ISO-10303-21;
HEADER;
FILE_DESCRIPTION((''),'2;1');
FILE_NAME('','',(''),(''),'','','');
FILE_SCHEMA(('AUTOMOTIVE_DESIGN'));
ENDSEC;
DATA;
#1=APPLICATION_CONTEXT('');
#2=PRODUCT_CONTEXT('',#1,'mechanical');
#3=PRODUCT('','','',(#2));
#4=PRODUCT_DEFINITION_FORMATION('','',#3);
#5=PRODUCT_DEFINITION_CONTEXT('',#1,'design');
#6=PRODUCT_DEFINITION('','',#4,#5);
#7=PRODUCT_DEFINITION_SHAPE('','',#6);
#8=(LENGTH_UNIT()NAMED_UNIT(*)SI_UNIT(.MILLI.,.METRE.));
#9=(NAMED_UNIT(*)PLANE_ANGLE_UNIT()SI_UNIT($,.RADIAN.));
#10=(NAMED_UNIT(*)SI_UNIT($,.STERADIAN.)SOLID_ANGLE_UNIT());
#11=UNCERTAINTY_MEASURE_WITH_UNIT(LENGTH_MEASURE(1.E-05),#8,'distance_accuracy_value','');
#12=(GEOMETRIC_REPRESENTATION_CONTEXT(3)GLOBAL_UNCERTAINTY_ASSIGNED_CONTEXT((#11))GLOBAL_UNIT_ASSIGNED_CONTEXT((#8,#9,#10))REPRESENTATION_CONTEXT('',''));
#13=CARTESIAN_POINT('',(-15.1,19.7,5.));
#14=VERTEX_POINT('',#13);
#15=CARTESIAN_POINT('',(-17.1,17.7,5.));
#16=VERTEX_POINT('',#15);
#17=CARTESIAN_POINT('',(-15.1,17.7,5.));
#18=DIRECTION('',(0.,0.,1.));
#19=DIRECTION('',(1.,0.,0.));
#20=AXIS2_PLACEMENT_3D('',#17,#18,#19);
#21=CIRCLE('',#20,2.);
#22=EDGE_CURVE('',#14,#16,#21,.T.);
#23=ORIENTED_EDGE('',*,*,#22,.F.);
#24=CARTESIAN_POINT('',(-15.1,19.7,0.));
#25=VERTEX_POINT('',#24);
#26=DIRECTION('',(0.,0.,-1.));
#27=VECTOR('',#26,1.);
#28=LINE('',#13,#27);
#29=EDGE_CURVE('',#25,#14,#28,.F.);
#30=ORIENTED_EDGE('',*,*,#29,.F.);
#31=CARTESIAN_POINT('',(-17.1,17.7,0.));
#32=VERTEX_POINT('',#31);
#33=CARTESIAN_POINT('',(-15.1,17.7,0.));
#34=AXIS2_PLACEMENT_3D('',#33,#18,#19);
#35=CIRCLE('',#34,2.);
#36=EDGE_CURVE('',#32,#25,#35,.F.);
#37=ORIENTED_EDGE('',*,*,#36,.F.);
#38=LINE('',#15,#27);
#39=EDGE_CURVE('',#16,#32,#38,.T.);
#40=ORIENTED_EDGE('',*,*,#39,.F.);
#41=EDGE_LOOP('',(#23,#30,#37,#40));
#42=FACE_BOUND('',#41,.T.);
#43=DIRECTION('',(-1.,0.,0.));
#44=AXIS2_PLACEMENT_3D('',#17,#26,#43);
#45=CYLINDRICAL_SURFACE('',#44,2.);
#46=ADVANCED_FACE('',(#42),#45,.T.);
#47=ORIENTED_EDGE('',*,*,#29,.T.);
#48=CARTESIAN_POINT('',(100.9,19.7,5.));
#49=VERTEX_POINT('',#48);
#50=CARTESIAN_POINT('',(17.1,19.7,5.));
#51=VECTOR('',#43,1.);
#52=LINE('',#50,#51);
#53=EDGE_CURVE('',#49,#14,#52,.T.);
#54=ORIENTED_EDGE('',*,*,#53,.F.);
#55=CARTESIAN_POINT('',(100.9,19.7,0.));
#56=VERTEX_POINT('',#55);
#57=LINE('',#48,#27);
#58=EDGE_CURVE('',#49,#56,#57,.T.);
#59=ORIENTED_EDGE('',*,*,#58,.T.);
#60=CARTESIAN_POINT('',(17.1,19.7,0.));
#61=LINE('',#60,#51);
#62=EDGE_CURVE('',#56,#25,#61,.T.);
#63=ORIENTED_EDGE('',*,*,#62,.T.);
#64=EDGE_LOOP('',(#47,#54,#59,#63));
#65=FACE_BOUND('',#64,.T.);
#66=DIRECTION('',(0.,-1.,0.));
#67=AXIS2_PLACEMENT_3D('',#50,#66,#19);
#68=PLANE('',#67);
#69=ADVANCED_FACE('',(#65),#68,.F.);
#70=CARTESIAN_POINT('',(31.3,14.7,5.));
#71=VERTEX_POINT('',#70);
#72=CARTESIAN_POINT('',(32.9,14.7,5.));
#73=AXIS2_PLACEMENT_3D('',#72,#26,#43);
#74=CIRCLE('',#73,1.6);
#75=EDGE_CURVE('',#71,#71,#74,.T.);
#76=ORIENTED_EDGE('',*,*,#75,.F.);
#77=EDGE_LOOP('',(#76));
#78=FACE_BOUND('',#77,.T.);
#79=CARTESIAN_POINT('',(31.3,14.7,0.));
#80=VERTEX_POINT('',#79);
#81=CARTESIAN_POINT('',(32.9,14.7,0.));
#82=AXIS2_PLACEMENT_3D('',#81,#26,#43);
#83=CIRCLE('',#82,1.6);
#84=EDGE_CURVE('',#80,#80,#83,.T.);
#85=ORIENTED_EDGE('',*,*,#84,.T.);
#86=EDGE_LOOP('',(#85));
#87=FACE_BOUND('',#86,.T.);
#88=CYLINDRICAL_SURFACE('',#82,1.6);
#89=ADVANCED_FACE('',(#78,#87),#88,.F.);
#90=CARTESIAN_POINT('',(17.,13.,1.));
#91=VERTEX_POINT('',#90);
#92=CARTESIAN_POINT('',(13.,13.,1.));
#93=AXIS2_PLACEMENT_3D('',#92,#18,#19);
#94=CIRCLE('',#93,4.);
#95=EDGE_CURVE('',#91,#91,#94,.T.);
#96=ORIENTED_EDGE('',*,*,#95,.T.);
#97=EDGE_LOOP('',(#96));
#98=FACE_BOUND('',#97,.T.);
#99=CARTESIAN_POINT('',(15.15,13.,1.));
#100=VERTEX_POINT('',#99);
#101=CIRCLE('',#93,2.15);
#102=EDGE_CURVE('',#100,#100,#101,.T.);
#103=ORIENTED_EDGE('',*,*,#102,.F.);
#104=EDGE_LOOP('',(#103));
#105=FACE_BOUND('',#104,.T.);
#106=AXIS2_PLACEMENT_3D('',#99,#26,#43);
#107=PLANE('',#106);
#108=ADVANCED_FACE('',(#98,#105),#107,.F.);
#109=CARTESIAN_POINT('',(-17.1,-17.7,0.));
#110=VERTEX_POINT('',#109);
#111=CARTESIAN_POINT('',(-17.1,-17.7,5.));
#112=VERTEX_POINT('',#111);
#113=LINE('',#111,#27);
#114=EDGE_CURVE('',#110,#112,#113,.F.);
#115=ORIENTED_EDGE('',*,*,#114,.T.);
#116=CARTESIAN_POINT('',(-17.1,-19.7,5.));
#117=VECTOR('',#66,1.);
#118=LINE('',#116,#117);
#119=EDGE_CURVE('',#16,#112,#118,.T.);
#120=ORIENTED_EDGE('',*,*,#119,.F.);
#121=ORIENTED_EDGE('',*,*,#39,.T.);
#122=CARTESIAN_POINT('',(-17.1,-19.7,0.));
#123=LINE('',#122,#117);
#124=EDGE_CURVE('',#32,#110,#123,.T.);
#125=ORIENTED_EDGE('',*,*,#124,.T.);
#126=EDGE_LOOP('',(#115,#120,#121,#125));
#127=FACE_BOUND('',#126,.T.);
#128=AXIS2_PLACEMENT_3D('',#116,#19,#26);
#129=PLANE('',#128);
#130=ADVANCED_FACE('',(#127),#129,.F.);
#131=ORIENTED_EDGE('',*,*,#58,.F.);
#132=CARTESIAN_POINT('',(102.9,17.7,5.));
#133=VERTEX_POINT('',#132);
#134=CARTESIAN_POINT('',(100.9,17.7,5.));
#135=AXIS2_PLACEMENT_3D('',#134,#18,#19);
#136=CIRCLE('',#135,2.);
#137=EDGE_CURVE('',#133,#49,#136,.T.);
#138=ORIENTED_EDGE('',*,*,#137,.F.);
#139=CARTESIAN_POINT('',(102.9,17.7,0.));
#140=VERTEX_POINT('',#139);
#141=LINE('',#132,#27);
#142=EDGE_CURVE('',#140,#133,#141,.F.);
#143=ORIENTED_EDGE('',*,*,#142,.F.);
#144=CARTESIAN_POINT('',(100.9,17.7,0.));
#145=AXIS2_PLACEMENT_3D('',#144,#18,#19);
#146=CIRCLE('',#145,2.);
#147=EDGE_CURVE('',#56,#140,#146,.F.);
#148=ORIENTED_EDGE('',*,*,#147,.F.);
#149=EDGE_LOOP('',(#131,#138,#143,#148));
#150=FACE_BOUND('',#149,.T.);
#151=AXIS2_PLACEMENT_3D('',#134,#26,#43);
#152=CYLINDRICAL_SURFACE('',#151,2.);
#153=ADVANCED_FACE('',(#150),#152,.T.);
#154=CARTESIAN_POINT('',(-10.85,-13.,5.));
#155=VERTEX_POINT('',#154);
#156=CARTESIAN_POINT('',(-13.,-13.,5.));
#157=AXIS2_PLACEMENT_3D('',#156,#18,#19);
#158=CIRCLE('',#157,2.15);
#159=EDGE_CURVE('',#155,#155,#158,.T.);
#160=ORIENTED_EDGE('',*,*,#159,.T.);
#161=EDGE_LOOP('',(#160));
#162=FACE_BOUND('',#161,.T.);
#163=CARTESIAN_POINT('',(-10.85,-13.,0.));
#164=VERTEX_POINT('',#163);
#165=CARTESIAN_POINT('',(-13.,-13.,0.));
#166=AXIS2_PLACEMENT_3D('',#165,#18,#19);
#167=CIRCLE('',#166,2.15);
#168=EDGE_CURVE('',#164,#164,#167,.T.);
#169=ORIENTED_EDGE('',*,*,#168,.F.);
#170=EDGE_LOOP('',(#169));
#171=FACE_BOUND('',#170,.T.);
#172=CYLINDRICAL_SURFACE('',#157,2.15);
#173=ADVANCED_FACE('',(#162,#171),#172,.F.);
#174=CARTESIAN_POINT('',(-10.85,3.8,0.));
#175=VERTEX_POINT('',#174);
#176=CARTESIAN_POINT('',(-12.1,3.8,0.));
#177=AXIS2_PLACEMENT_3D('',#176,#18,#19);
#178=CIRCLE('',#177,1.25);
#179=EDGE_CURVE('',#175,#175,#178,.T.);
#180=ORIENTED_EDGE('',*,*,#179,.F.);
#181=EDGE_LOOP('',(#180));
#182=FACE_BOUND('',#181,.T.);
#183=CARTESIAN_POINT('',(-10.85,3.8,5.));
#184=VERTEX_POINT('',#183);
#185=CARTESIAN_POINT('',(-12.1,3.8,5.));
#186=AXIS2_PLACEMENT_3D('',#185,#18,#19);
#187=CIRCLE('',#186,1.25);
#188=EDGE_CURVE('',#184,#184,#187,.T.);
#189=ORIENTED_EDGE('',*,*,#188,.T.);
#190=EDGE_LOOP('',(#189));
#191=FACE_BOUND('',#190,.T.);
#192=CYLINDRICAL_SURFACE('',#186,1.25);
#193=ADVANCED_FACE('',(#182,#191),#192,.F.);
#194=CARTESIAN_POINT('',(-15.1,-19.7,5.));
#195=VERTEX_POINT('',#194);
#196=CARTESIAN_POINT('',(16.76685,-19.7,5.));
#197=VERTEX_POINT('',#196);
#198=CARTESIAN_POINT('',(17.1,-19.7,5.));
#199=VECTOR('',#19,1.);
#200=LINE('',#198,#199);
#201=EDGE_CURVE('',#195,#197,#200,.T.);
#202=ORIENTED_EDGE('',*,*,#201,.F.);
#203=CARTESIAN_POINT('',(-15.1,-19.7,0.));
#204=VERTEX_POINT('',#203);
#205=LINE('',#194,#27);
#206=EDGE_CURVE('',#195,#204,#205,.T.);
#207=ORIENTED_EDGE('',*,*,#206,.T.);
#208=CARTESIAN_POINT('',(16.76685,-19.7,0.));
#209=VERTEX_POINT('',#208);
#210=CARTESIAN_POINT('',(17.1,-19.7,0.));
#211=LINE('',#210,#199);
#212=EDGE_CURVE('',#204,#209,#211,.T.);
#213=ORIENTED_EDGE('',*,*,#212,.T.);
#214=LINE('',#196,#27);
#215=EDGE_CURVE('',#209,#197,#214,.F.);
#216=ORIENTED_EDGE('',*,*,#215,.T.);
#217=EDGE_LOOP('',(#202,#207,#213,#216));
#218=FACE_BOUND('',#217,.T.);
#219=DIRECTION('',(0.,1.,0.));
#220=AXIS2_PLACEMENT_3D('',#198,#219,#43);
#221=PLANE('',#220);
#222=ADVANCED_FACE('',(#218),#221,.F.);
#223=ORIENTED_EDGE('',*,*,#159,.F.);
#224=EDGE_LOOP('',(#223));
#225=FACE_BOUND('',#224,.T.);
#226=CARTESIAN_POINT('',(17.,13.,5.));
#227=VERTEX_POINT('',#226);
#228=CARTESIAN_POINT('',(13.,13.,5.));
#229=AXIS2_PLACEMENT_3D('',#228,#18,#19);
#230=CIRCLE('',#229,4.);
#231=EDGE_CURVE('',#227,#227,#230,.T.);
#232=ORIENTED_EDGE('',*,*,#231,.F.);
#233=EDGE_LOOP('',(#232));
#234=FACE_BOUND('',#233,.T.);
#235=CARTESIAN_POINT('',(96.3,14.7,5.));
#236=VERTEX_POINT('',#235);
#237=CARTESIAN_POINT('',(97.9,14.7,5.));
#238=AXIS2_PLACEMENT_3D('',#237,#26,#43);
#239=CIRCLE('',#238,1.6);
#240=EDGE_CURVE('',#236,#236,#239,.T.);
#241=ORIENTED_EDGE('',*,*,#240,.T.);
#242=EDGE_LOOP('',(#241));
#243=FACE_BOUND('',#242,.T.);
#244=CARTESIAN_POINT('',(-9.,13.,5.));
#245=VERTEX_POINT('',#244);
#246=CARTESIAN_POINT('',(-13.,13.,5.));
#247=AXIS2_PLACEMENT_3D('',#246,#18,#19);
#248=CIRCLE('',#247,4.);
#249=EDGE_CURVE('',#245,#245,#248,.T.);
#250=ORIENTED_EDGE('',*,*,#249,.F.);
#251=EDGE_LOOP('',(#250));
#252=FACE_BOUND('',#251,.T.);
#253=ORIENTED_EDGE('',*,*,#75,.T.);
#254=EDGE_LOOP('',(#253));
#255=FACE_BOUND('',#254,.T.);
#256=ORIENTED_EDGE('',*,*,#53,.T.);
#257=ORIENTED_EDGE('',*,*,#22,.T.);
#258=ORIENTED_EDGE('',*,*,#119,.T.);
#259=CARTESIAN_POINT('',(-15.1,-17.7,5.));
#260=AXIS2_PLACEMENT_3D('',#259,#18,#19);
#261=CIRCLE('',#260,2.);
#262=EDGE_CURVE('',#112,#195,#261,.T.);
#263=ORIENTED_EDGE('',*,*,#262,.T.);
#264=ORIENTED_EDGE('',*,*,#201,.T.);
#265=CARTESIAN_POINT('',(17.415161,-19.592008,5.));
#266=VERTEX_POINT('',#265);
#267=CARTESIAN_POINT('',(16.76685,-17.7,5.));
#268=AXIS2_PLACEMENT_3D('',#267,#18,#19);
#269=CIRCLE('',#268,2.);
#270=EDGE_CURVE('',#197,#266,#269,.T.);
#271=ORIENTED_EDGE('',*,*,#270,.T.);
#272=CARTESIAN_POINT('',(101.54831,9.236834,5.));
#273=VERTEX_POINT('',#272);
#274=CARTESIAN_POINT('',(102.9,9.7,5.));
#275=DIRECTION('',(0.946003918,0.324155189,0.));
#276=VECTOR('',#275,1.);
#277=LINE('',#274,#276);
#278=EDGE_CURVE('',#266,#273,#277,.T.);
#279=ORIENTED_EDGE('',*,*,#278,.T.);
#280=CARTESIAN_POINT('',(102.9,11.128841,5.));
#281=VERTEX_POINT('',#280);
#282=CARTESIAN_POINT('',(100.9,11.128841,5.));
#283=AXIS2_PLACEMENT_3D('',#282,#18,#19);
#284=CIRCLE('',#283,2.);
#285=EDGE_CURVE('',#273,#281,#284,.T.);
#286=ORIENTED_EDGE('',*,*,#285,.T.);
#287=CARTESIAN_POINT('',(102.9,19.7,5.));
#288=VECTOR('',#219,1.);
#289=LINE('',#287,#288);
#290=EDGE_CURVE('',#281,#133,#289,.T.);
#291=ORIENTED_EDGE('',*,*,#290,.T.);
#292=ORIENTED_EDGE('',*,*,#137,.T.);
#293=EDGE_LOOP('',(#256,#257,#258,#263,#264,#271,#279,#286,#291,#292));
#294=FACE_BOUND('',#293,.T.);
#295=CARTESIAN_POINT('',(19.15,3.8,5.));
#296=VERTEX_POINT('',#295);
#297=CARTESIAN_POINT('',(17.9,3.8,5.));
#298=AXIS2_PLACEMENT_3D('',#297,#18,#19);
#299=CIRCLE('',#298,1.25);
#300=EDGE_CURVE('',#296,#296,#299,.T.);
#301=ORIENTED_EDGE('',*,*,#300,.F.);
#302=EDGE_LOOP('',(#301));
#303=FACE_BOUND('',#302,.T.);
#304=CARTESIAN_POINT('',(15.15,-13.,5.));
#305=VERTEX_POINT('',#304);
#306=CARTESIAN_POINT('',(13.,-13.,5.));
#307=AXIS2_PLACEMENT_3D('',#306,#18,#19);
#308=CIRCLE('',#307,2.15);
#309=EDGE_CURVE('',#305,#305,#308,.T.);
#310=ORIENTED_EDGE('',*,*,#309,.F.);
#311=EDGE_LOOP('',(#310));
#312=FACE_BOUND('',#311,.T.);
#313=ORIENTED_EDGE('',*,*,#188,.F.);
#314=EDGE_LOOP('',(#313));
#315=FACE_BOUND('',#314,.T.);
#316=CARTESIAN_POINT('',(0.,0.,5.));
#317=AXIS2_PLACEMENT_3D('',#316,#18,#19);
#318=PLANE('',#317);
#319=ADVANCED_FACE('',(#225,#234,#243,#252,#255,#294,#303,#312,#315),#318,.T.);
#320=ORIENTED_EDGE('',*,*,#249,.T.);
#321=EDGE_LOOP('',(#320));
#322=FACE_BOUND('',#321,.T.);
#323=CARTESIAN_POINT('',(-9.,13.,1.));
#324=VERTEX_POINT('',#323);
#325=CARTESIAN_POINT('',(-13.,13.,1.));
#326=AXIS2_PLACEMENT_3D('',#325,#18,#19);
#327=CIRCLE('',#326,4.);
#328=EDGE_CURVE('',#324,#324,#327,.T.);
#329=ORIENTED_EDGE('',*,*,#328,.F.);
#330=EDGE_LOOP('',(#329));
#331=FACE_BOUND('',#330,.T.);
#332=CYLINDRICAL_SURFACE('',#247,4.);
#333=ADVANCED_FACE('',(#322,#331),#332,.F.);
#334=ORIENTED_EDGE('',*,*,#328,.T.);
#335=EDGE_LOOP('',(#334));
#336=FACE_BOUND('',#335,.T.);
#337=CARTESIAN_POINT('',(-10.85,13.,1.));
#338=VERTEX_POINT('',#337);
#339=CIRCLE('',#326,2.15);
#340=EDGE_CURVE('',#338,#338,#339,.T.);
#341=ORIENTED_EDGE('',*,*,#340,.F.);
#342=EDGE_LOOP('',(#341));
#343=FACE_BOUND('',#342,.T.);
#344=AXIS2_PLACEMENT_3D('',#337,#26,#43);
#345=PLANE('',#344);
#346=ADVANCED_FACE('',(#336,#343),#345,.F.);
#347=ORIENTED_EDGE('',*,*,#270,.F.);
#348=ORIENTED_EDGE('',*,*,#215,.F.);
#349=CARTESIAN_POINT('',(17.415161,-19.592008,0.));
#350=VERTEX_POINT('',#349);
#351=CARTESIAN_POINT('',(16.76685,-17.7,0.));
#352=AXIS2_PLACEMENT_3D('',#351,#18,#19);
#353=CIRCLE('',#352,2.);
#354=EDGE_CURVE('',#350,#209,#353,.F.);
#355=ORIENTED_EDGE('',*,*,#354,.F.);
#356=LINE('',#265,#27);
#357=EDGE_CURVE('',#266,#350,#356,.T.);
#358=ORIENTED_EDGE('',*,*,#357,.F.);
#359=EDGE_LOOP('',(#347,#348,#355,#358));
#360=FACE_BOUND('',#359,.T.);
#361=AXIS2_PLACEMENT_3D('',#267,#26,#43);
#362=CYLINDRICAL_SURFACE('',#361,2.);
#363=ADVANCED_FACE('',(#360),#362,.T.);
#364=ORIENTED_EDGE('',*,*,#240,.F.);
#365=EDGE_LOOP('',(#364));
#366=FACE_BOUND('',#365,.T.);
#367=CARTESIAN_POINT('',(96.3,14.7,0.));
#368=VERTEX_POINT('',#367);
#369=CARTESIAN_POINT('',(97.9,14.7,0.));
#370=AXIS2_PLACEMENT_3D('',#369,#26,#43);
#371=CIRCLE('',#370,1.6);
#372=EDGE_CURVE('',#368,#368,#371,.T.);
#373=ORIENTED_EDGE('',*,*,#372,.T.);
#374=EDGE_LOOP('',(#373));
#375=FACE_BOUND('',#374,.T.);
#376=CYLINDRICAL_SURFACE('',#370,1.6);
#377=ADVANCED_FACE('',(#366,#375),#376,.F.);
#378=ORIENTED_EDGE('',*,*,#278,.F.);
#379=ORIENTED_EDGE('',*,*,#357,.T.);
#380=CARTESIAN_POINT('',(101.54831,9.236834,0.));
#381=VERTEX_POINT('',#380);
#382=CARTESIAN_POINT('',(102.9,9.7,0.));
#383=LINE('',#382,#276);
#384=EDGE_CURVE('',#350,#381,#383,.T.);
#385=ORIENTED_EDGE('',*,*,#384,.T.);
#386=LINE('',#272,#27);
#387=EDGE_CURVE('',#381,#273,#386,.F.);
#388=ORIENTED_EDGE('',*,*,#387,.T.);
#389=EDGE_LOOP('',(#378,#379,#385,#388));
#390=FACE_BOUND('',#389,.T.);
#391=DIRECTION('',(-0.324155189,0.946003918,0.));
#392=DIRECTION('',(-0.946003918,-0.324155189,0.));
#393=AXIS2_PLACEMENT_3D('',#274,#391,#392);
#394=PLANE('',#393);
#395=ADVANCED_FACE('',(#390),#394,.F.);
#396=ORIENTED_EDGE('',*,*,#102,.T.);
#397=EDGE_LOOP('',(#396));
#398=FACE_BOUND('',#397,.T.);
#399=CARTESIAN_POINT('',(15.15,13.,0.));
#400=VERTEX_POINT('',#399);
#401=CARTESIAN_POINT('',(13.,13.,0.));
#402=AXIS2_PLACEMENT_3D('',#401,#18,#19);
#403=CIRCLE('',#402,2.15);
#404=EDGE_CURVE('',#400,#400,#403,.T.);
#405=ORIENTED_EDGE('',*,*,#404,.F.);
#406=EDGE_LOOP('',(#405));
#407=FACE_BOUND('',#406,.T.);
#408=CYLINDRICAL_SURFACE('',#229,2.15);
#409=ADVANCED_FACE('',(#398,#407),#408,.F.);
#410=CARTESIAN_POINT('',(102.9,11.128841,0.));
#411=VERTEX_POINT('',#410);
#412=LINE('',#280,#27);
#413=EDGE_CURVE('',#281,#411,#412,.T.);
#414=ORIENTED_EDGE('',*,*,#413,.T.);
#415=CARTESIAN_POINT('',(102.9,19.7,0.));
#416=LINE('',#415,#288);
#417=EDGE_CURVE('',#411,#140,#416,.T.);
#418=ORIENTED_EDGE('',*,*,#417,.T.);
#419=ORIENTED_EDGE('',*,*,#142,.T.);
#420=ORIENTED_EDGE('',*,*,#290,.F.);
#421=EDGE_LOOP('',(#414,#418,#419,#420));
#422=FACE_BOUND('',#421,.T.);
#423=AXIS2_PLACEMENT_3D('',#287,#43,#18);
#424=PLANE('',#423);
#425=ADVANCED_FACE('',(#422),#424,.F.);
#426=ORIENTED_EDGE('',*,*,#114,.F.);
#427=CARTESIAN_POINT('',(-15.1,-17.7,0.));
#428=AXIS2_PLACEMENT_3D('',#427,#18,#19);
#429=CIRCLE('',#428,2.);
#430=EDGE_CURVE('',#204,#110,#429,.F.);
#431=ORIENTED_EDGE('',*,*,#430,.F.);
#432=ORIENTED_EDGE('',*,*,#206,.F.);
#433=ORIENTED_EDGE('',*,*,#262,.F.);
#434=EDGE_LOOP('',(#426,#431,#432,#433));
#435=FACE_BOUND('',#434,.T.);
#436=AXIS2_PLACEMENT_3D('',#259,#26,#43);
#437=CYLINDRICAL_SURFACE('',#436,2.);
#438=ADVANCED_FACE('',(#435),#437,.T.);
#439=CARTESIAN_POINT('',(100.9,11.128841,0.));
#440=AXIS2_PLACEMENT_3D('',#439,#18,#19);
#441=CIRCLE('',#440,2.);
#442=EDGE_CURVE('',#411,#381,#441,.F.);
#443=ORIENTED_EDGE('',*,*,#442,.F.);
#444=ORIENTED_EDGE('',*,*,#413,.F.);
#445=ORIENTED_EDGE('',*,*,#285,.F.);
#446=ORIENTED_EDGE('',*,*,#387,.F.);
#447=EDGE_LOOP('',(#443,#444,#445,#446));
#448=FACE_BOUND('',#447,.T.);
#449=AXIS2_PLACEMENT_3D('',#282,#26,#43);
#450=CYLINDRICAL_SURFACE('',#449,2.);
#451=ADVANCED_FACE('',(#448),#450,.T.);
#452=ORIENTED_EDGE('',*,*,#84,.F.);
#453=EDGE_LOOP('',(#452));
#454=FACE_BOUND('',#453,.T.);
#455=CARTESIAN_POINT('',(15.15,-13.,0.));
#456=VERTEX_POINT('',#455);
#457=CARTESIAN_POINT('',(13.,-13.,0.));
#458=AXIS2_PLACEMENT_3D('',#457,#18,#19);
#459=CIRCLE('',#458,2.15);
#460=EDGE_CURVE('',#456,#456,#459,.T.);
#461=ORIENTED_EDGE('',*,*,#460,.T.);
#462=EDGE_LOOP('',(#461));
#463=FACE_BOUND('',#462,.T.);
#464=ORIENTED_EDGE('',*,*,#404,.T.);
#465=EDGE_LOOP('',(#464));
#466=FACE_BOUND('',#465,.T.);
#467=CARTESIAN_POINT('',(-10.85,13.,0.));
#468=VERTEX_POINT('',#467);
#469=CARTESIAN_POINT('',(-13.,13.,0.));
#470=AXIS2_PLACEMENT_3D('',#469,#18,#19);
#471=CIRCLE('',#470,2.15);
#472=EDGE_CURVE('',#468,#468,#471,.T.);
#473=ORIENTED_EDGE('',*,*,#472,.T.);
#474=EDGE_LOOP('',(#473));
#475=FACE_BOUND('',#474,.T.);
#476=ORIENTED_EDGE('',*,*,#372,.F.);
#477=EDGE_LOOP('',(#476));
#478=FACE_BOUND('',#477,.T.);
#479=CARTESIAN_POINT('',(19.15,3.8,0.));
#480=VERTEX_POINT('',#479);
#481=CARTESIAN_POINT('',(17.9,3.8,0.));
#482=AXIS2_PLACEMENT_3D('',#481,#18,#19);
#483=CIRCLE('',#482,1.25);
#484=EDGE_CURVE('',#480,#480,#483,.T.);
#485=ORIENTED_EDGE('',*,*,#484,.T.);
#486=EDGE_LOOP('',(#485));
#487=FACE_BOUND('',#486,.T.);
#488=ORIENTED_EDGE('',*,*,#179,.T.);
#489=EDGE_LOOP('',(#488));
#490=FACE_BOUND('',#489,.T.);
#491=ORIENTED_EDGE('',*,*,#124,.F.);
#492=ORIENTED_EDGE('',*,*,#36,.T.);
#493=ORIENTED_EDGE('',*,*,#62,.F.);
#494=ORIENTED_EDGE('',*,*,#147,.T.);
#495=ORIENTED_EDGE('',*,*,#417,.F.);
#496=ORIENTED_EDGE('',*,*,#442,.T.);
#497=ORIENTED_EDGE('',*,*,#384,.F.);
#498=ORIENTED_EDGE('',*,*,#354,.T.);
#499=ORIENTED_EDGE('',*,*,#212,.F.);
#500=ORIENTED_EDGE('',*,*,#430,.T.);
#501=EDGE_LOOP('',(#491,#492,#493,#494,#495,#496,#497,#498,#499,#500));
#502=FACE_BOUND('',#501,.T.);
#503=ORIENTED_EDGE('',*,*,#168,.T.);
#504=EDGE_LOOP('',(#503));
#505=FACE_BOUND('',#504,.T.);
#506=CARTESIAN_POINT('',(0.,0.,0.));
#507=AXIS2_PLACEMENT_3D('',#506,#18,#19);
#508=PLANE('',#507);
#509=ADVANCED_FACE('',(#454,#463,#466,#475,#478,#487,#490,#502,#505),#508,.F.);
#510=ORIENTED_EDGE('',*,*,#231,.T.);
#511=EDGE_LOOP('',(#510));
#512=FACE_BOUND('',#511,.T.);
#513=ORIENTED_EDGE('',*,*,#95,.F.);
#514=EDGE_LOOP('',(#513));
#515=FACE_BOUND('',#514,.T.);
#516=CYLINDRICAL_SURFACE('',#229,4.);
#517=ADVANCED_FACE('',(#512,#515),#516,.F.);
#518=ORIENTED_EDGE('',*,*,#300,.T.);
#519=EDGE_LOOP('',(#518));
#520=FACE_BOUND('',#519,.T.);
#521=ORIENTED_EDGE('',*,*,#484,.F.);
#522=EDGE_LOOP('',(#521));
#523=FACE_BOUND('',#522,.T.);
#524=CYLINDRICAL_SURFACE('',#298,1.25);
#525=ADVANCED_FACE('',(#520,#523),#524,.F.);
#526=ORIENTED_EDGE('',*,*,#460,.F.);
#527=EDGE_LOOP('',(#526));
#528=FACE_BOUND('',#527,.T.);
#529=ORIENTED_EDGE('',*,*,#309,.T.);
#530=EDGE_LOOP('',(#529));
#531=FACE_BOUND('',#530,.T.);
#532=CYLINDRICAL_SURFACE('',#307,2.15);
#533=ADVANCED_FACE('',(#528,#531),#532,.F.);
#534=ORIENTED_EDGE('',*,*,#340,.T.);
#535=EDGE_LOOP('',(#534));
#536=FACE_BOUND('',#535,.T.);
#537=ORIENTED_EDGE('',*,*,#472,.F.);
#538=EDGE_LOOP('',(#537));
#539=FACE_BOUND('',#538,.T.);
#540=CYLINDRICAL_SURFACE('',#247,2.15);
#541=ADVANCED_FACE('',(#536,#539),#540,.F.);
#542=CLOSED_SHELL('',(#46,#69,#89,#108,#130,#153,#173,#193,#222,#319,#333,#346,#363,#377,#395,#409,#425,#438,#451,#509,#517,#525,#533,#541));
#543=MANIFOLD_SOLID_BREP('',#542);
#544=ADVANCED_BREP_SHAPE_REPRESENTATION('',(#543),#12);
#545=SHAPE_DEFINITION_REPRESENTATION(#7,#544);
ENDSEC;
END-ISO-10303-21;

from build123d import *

# Parameters (mm, degrees)
BOSS_EXTRUDE1_DEPTH            = 5
CBORE_FOR_M4_SHCS1_D           = 4.3
CBORE_FOR_M4_SHCS1_CBORE_D     = 8
CBORE_FOR_M4_SHCS1_CBORE_DEPTH = 4
M4_CLEARANCE_HOLE1_D           = 4.3
TAP_DRILL_FOR_M3X0_5_TAP1_D    = 2.5
M3_CLEARANCE_HOLE2_D           = 3.2
FILLET1_R                      = 2


with BuildPart() as part:
    # Sketch1 → Boss-Extrude1 (new body)
    with BuildSketch(Plane.XY):
        Polygon((17.1, 19.7), (102.9, 19.7), (102.9, 9.7), (17.1, -19.7), (-17.1, -19.7), (-17.1, 19.7), align=None)
    extrude(amount=BOSS_EXTRUDE1_DEPTH)

    # CBORE for M4 SHCS1 (through all)
    with Locations(Plane.XY.offset(5)):
        with Locations((13, 13), (-13, 13)):
            CounterBoreHole(CBORE_FOR_M4_SHCS1_D / 2, CBORE_FOR_M4_SHCS1_CBORE_D / 2, CBORE_FOR_M4_SHCS1_CBORE_DEPTH)

    # M4 Clearance Hole1 (through all)
    with Locations(Plane.XY.offset(5)):
        with Locations((-13, -13), (13, -13)):
            Hole(M4_CLEARANCE_HOLE1_D / 2)

    # Tap Drill for M3x0.5 Tap1 (through all)
    with Locations(Plane.XY.offset(5)):
        with Locations((-12.1, 3.8), (17.9, 3.8)):
            Hole(TAP_DRILL_FOR_M3X0_5_TAP1_D / 2)

    # M3 Clearance Hole2 (through all)
    with Locations(Plane(origin=(0, 0, 0), x_dir=(-1, 0, 0), z_dir=(0, 0, -1))):
        with Locations((-97.9, 14.7), (-32.9, 14.7)):
            Hole(M3_CLEARANCE_HOLE2_D / 2)

    # Fillet1
    fillet1_edges = [part.edges().sort_by_distance(p)[0] for p in [
        (-17.1, 19.7, 2.5),
        (102.9, 19.7, 2.5),
        (102.9, 9.7, 2.5),
        (17.1, -19.7, 2.5),
        (-17.1, -19.7, 2.5),
    ]]
    fillet(fillet1_edges, radius=FILLET1_R)


solid = part.part
